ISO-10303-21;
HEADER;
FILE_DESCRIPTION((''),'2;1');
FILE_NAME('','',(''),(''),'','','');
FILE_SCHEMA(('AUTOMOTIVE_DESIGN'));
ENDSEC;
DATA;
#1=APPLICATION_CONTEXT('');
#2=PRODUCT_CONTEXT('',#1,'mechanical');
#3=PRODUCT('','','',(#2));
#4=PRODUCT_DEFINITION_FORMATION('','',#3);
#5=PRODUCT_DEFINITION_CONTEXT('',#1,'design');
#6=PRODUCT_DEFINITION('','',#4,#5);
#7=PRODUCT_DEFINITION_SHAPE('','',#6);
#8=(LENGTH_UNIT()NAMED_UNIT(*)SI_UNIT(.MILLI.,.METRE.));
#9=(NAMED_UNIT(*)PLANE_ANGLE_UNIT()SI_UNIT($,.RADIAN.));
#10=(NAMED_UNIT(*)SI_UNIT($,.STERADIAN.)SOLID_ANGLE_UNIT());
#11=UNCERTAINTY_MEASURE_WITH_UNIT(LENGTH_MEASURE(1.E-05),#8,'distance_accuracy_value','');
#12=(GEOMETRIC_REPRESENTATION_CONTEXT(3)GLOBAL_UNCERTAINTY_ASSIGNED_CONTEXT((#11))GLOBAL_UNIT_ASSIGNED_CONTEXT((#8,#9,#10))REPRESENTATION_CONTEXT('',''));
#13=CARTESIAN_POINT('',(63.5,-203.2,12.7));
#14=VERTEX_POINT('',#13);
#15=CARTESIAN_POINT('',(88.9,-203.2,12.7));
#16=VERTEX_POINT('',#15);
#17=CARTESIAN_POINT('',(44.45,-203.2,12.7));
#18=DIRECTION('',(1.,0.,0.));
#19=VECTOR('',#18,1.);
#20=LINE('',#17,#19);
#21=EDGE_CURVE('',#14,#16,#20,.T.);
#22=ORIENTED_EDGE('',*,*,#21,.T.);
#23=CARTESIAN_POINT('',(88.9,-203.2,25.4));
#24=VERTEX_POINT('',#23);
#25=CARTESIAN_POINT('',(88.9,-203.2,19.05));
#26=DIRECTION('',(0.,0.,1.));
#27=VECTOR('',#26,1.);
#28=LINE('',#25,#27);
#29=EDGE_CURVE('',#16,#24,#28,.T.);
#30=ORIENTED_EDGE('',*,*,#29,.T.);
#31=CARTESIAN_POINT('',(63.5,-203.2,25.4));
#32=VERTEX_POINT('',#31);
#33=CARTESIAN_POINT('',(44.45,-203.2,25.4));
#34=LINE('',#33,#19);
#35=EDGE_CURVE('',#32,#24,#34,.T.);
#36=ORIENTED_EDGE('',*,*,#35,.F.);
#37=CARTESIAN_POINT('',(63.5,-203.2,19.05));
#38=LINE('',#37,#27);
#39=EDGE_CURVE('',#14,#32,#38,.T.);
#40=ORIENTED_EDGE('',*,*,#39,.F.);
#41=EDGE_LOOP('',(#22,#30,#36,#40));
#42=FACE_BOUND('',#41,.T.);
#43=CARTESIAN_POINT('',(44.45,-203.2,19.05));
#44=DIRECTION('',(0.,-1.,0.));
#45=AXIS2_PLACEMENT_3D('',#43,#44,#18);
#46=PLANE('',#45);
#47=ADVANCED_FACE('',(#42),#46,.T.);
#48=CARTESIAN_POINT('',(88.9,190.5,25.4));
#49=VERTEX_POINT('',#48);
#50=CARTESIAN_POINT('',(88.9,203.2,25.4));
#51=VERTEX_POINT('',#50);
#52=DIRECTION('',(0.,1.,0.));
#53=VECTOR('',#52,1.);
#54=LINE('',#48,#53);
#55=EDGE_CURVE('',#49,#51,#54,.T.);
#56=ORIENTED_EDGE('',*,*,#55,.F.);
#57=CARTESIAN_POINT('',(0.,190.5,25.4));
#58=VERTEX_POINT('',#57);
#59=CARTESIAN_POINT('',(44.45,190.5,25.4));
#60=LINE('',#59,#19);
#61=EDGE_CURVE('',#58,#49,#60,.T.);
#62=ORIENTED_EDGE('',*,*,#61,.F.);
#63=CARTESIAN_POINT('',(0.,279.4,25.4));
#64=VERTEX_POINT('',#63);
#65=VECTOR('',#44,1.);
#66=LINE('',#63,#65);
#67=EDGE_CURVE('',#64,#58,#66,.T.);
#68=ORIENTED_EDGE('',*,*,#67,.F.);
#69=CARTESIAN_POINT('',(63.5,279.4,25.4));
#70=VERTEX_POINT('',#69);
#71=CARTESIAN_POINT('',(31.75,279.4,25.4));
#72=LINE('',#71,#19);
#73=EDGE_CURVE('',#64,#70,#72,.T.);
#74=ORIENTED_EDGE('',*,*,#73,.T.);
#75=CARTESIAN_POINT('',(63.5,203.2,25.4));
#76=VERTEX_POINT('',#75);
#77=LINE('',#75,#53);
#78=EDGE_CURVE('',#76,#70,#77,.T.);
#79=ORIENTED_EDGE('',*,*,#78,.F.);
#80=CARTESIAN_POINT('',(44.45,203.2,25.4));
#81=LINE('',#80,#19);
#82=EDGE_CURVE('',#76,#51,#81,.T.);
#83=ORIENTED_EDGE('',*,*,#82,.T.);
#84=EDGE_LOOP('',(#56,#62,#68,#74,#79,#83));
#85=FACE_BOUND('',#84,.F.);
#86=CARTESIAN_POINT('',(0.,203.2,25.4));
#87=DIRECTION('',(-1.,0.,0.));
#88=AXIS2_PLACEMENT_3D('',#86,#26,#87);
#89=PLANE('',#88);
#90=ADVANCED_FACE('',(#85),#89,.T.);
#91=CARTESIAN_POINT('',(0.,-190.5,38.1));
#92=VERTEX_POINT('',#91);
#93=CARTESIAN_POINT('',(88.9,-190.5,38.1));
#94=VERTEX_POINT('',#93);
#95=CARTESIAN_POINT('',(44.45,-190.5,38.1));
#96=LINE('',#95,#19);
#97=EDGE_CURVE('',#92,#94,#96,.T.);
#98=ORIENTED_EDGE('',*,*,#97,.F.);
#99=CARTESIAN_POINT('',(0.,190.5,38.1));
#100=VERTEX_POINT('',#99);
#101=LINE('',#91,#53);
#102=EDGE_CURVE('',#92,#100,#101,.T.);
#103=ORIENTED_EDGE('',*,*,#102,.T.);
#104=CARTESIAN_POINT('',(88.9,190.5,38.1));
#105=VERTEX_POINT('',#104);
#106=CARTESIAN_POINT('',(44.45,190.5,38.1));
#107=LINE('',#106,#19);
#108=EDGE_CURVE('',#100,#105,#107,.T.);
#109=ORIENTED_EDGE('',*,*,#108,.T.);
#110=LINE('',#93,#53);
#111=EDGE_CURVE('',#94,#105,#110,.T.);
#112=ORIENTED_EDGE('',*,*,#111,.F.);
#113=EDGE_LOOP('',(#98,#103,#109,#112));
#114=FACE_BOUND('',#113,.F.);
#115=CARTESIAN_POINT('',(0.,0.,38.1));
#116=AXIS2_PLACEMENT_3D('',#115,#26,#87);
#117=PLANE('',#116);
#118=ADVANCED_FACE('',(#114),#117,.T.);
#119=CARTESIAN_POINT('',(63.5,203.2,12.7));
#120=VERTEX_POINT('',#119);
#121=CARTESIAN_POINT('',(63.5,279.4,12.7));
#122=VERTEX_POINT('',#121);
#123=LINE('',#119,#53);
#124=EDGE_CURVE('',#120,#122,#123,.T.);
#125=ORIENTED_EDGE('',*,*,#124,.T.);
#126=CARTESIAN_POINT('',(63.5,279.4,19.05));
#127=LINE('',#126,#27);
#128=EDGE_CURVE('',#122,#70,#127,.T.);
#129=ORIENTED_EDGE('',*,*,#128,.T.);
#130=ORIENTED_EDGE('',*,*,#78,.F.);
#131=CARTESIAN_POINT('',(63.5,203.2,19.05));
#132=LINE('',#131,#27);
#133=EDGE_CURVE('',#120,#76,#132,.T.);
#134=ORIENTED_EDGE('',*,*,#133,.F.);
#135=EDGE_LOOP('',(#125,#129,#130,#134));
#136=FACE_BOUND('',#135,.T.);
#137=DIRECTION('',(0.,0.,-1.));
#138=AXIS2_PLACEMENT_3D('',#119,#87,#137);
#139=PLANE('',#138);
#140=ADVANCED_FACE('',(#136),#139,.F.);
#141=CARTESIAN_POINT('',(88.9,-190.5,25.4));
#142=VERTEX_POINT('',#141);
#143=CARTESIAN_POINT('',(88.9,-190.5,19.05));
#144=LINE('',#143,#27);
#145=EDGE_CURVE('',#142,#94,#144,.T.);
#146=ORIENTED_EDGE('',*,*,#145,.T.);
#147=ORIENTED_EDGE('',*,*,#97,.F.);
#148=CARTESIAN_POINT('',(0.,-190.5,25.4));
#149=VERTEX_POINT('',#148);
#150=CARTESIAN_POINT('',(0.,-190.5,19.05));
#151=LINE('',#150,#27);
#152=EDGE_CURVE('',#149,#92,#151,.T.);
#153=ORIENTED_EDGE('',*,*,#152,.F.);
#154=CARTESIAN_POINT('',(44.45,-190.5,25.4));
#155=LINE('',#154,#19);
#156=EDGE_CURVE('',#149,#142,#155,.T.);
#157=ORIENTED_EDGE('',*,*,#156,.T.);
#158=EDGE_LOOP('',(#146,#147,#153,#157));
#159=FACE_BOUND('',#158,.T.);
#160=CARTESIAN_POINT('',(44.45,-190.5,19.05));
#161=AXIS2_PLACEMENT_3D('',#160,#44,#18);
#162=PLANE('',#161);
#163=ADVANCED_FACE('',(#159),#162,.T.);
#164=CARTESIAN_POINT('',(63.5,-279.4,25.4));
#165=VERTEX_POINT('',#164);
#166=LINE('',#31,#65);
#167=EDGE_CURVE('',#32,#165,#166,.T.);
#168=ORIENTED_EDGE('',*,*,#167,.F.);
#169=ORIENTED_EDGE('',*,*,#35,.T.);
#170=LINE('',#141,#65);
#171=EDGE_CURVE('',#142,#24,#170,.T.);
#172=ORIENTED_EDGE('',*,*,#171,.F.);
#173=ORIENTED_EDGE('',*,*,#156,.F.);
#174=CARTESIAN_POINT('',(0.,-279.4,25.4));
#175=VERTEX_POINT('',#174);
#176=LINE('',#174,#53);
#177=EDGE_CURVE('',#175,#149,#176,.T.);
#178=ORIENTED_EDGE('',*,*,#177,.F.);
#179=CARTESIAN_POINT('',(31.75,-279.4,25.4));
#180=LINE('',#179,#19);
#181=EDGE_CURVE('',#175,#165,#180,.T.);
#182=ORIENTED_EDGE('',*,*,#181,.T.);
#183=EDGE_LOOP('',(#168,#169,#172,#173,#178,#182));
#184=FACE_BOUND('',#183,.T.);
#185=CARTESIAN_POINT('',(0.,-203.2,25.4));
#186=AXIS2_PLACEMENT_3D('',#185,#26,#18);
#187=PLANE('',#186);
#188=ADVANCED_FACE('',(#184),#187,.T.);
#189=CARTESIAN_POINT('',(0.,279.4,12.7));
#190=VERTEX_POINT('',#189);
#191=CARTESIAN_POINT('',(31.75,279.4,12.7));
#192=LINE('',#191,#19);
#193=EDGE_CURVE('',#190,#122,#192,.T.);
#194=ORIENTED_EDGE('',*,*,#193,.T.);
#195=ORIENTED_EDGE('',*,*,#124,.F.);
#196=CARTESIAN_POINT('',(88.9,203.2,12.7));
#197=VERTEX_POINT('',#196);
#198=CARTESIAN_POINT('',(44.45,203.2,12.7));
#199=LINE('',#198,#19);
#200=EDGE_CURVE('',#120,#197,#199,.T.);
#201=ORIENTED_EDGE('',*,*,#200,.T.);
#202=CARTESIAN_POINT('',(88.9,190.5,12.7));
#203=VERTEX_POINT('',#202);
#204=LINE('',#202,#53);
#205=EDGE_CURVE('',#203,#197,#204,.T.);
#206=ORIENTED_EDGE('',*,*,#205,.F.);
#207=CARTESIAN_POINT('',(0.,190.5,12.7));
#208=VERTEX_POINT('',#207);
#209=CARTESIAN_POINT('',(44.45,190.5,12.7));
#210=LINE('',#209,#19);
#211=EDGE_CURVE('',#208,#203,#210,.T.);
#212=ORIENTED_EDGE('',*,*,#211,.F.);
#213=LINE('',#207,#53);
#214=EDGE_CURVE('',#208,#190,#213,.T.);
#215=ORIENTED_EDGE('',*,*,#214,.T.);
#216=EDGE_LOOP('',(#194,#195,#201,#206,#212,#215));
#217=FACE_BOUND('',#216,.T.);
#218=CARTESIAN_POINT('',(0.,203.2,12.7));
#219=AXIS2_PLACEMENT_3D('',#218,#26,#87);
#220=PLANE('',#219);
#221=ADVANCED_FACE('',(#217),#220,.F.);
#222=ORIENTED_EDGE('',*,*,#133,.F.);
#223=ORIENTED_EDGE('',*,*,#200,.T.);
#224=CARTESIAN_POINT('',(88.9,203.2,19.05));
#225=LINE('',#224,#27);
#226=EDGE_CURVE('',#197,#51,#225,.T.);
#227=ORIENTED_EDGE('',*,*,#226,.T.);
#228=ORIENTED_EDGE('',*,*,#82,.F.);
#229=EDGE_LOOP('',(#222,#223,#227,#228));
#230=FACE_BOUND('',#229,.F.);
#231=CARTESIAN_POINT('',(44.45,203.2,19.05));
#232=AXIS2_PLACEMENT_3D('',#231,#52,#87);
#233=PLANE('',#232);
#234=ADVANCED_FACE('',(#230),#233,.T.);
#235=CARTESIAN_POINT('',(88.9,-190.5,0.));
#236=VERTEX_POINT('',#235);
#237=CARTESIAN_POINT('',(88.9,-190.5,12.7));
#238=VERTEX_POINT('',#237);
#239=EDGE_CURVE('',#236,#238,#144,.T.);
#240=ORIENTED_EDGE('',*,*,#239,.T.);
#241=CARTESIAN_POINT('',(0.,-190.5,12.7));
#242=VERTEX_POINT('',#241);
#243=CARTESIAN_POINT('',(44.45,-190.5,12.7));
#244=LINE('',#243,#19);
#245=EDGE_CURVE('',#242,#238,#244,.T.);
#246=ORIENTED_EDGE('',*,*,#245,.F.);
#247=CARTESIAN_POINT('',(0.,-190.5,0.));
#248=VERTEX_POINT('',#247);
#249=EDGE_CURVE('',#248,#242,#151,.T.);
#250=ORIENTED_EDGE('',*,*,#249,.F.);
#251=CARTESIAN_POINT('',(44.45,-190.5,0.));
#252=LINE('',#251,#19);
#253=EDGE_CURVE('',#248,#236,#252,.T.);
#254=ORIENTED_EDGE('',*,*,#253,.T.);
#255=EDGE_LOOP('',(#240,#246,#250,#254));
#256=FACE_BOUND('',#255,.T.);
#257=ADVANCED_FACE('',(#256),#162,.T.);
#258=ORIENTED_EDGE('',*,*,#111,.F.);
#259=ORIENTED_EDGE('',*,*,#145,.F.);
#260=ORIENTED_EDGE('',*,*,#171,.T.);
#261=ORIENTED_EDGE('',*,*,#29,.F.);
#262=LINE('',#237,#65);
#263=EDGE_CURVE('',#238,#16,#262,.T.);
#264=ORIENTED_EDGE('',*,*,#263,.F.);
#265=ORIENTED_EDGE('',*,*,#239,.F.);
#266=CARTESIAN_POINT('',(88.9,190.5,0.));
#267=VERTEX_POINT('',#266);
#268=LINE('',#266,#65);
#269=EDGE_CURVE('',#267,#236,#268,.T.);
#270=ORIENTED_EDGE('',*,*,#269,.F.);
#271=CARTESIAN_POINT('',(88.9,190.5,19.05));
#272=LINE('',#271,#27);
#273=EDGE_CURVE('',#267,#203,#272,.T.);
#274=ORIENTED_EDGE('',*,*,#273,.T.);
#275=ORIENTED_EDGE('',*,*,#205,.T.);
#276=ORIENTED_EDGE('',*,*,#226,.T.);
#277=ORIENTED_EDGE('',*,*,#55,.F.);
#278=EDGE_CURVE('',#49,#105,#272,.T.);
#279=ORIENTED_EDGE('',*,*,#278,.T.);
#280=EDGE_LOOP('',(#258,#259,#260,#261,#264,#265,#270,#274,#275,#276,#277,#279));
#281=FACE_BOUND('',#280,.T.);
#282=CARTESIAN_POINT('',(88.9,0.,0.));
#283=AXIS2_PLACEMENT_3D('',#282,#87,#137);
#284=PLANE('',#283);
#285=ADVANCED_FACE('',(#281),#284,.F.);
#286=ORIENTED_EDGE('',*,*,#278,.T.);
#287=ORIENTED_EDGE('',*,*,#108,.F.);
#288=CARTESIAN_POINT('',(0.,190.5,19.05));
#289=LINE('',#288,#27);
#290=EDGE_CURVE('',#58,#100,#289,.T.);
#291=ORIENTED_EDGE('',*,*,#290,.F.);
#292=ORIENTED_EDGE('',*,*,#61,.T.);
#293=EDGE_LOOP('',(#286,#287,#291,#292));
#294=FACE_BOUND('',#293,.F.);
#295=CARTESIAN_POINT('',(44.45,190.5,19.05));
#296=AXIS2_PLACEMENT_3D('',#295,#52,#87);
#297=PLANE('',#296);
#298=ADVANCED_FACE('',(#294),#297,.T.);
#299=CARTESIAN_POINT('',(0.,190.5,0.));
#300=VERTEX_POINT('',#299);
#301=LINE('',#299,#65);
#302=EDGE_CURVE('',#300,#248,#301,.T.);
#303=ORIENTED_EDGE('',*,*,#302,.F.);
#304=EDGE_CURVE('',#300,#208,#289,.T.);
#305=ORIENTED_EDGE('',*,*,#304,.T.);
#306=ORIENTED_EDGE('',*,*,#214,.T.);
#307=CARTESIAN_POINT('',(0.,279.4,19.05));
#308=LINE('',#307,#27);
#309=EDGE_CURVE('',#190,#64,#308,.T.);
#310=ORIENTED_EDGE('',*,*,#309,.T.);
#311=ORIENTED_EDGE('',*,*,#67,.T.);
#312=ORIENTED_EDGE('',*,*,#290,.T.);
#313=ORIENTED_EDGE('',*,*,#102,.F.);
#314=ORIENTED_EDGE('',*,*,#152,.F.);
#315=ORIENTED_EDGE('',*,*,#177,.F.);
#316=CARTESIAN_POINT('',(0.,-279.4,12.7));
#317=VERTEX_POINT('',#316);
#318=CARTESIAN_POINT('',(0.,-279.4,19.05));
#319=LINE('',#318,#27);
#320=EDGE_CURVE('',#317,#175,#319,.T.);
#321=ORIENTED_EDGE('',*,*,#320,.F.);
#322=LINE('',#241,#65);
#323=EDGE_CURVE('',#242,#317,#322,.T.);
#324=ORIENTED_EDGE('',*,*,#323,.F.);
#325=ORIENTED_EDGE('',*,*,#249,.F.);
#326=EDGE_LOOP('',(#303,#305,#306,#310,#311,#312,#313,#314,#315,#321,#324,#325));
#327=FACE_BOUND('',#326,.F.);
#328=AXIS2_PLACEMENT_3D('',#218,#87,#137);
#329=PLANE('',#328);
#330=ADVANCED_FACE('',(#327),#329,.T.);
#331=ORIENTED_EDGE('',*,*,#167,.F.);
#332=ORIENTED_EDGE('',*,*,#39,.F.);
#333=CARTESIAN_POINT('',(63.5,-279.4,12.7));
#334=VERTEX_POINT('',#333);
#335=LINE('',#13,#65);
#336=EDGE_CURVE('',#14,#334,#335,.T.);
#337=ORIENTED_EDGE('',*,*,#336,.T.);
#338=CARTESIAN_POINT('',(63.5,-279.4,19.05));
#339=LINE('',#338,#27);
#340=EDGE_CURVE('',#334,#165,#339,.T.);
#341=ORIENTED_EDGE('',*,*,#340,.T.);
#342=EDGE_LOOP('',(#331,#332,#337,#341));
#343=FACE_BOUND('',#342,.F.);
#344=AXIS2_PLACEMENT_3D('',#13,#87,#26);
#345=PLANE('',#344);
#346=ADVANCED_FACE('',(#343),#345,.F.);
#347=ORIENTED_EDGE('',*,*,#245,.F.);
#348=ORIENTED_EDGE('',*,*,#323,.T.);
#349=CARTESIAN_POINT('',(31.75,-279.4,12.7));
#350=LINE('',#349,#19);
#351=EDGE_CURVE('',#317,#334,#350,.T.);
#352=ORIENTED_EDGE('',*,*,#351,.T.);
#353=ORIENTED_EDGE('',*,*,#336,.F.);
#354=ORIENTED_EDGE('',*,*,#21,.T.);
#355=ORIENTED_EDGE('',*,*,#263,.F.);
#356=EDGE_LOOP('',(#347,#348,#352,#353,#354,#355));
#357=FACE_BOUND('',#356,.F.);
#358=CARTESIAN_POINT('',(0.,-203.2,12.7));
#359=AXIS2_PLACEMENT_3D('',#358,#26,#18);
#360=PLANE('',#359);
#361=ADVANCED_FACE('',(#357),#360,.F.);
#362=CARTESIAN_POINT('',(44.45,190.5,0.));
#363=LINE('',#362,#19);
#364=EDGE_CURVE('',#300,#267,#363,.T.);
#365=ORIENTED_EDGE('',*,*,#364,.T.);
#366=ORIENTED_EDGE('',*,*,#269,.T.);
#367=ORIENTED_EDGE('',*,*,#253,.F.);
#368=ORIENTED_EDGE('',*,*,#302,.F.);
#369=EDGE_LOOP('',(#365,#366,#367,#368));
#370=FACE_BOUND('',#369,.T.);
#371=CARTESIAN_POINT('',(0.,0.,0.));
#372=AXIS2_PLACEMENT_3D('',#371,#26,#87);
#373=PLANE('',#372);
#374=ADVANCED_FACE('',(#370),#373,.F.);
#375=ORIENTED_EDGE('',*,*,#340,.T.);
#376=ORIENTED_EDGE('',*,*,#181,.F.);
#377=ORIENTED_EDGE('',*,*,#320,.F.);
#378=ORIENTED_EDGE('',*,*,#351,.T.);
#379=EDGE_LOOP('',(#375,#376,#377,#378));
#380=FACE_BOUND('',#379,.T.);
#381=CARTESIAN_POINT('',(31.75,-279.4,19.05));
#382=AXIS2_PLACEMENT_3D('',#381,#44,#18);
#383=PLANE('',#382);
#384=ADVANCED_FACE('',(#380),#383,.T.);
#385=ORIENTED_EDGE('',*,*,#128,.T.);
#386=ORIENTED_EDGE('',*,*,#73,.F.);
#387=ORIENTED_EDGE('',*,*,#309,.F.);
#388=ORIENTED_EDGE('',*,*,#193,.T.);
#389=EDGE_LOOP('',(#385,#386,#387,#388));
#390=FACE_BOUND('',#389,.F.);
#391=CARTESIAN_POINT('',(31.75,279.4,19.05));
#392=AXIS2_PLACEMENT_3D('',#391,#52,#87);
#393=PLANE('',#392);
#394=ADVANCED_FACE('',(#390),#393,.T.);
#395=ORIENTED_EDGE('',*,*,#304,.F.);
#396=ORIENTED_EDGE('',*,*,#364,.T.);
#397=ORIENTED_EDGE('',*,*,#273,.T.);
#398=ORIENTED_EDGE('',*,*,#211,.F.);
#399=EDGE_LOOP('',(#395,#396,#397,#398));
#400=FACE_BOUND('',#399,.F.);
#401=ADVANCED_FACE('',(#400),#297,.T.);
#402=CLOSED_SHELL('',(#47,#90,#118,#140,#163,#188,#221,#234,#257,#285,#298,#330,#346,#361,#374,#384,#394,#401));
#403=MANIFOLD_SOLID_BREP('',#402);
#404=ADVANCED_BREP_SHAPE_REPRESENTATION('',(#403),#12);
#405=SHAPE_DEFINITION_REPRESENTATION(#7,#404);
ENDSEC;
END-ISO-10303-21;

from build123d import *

# Parameters (mm, degrees)
F0_W     = 88.9
F0_H     = 38.1
F1_DEPTH = 190.5
F2_W     = 88.9
F2_H     = 12.7
F3_DEPTH = 12.7
F4_W     = 63.5
F4_H     = 12.7
F5_DEPTH = 76.2


with BuildPart() as f1:
    # F0 (on Front) → F1 (new body)
    with BuildSketch(Plane.XZ):
        with Locations((44.45, 19.05)):
            Rectangle(F0_W, F0_H)
    extrude(amount=F1_DEPTH)

    # F2 (on face) → F3 (join)
    with BuildSketch(Plane.XZ.offset(190.5)):
        with Locations((44.45, 19.05)):
            Rectangle(F2_W, F2_H)
    extrude(amount=F3_DEPTH)

    # F4 (on face) → F5 (join)
    with BuildSketch(Plane.XZ.offset(203.2)):
        with Locations((31.75, 19.05)):
            Rectangle(F4_W, F4_H)
    extrude(amount=F5_DEPTH)

    # F6: F1 across face


with BuildPart() as f1_1:
    add(f1.part)
    add(f1.part.mirror(Plane(origin=(44.45, 0, 19.05), x_dir=(1, 0, 0), z_dir=(0, 1, 0))))


solid = f1_1.part
